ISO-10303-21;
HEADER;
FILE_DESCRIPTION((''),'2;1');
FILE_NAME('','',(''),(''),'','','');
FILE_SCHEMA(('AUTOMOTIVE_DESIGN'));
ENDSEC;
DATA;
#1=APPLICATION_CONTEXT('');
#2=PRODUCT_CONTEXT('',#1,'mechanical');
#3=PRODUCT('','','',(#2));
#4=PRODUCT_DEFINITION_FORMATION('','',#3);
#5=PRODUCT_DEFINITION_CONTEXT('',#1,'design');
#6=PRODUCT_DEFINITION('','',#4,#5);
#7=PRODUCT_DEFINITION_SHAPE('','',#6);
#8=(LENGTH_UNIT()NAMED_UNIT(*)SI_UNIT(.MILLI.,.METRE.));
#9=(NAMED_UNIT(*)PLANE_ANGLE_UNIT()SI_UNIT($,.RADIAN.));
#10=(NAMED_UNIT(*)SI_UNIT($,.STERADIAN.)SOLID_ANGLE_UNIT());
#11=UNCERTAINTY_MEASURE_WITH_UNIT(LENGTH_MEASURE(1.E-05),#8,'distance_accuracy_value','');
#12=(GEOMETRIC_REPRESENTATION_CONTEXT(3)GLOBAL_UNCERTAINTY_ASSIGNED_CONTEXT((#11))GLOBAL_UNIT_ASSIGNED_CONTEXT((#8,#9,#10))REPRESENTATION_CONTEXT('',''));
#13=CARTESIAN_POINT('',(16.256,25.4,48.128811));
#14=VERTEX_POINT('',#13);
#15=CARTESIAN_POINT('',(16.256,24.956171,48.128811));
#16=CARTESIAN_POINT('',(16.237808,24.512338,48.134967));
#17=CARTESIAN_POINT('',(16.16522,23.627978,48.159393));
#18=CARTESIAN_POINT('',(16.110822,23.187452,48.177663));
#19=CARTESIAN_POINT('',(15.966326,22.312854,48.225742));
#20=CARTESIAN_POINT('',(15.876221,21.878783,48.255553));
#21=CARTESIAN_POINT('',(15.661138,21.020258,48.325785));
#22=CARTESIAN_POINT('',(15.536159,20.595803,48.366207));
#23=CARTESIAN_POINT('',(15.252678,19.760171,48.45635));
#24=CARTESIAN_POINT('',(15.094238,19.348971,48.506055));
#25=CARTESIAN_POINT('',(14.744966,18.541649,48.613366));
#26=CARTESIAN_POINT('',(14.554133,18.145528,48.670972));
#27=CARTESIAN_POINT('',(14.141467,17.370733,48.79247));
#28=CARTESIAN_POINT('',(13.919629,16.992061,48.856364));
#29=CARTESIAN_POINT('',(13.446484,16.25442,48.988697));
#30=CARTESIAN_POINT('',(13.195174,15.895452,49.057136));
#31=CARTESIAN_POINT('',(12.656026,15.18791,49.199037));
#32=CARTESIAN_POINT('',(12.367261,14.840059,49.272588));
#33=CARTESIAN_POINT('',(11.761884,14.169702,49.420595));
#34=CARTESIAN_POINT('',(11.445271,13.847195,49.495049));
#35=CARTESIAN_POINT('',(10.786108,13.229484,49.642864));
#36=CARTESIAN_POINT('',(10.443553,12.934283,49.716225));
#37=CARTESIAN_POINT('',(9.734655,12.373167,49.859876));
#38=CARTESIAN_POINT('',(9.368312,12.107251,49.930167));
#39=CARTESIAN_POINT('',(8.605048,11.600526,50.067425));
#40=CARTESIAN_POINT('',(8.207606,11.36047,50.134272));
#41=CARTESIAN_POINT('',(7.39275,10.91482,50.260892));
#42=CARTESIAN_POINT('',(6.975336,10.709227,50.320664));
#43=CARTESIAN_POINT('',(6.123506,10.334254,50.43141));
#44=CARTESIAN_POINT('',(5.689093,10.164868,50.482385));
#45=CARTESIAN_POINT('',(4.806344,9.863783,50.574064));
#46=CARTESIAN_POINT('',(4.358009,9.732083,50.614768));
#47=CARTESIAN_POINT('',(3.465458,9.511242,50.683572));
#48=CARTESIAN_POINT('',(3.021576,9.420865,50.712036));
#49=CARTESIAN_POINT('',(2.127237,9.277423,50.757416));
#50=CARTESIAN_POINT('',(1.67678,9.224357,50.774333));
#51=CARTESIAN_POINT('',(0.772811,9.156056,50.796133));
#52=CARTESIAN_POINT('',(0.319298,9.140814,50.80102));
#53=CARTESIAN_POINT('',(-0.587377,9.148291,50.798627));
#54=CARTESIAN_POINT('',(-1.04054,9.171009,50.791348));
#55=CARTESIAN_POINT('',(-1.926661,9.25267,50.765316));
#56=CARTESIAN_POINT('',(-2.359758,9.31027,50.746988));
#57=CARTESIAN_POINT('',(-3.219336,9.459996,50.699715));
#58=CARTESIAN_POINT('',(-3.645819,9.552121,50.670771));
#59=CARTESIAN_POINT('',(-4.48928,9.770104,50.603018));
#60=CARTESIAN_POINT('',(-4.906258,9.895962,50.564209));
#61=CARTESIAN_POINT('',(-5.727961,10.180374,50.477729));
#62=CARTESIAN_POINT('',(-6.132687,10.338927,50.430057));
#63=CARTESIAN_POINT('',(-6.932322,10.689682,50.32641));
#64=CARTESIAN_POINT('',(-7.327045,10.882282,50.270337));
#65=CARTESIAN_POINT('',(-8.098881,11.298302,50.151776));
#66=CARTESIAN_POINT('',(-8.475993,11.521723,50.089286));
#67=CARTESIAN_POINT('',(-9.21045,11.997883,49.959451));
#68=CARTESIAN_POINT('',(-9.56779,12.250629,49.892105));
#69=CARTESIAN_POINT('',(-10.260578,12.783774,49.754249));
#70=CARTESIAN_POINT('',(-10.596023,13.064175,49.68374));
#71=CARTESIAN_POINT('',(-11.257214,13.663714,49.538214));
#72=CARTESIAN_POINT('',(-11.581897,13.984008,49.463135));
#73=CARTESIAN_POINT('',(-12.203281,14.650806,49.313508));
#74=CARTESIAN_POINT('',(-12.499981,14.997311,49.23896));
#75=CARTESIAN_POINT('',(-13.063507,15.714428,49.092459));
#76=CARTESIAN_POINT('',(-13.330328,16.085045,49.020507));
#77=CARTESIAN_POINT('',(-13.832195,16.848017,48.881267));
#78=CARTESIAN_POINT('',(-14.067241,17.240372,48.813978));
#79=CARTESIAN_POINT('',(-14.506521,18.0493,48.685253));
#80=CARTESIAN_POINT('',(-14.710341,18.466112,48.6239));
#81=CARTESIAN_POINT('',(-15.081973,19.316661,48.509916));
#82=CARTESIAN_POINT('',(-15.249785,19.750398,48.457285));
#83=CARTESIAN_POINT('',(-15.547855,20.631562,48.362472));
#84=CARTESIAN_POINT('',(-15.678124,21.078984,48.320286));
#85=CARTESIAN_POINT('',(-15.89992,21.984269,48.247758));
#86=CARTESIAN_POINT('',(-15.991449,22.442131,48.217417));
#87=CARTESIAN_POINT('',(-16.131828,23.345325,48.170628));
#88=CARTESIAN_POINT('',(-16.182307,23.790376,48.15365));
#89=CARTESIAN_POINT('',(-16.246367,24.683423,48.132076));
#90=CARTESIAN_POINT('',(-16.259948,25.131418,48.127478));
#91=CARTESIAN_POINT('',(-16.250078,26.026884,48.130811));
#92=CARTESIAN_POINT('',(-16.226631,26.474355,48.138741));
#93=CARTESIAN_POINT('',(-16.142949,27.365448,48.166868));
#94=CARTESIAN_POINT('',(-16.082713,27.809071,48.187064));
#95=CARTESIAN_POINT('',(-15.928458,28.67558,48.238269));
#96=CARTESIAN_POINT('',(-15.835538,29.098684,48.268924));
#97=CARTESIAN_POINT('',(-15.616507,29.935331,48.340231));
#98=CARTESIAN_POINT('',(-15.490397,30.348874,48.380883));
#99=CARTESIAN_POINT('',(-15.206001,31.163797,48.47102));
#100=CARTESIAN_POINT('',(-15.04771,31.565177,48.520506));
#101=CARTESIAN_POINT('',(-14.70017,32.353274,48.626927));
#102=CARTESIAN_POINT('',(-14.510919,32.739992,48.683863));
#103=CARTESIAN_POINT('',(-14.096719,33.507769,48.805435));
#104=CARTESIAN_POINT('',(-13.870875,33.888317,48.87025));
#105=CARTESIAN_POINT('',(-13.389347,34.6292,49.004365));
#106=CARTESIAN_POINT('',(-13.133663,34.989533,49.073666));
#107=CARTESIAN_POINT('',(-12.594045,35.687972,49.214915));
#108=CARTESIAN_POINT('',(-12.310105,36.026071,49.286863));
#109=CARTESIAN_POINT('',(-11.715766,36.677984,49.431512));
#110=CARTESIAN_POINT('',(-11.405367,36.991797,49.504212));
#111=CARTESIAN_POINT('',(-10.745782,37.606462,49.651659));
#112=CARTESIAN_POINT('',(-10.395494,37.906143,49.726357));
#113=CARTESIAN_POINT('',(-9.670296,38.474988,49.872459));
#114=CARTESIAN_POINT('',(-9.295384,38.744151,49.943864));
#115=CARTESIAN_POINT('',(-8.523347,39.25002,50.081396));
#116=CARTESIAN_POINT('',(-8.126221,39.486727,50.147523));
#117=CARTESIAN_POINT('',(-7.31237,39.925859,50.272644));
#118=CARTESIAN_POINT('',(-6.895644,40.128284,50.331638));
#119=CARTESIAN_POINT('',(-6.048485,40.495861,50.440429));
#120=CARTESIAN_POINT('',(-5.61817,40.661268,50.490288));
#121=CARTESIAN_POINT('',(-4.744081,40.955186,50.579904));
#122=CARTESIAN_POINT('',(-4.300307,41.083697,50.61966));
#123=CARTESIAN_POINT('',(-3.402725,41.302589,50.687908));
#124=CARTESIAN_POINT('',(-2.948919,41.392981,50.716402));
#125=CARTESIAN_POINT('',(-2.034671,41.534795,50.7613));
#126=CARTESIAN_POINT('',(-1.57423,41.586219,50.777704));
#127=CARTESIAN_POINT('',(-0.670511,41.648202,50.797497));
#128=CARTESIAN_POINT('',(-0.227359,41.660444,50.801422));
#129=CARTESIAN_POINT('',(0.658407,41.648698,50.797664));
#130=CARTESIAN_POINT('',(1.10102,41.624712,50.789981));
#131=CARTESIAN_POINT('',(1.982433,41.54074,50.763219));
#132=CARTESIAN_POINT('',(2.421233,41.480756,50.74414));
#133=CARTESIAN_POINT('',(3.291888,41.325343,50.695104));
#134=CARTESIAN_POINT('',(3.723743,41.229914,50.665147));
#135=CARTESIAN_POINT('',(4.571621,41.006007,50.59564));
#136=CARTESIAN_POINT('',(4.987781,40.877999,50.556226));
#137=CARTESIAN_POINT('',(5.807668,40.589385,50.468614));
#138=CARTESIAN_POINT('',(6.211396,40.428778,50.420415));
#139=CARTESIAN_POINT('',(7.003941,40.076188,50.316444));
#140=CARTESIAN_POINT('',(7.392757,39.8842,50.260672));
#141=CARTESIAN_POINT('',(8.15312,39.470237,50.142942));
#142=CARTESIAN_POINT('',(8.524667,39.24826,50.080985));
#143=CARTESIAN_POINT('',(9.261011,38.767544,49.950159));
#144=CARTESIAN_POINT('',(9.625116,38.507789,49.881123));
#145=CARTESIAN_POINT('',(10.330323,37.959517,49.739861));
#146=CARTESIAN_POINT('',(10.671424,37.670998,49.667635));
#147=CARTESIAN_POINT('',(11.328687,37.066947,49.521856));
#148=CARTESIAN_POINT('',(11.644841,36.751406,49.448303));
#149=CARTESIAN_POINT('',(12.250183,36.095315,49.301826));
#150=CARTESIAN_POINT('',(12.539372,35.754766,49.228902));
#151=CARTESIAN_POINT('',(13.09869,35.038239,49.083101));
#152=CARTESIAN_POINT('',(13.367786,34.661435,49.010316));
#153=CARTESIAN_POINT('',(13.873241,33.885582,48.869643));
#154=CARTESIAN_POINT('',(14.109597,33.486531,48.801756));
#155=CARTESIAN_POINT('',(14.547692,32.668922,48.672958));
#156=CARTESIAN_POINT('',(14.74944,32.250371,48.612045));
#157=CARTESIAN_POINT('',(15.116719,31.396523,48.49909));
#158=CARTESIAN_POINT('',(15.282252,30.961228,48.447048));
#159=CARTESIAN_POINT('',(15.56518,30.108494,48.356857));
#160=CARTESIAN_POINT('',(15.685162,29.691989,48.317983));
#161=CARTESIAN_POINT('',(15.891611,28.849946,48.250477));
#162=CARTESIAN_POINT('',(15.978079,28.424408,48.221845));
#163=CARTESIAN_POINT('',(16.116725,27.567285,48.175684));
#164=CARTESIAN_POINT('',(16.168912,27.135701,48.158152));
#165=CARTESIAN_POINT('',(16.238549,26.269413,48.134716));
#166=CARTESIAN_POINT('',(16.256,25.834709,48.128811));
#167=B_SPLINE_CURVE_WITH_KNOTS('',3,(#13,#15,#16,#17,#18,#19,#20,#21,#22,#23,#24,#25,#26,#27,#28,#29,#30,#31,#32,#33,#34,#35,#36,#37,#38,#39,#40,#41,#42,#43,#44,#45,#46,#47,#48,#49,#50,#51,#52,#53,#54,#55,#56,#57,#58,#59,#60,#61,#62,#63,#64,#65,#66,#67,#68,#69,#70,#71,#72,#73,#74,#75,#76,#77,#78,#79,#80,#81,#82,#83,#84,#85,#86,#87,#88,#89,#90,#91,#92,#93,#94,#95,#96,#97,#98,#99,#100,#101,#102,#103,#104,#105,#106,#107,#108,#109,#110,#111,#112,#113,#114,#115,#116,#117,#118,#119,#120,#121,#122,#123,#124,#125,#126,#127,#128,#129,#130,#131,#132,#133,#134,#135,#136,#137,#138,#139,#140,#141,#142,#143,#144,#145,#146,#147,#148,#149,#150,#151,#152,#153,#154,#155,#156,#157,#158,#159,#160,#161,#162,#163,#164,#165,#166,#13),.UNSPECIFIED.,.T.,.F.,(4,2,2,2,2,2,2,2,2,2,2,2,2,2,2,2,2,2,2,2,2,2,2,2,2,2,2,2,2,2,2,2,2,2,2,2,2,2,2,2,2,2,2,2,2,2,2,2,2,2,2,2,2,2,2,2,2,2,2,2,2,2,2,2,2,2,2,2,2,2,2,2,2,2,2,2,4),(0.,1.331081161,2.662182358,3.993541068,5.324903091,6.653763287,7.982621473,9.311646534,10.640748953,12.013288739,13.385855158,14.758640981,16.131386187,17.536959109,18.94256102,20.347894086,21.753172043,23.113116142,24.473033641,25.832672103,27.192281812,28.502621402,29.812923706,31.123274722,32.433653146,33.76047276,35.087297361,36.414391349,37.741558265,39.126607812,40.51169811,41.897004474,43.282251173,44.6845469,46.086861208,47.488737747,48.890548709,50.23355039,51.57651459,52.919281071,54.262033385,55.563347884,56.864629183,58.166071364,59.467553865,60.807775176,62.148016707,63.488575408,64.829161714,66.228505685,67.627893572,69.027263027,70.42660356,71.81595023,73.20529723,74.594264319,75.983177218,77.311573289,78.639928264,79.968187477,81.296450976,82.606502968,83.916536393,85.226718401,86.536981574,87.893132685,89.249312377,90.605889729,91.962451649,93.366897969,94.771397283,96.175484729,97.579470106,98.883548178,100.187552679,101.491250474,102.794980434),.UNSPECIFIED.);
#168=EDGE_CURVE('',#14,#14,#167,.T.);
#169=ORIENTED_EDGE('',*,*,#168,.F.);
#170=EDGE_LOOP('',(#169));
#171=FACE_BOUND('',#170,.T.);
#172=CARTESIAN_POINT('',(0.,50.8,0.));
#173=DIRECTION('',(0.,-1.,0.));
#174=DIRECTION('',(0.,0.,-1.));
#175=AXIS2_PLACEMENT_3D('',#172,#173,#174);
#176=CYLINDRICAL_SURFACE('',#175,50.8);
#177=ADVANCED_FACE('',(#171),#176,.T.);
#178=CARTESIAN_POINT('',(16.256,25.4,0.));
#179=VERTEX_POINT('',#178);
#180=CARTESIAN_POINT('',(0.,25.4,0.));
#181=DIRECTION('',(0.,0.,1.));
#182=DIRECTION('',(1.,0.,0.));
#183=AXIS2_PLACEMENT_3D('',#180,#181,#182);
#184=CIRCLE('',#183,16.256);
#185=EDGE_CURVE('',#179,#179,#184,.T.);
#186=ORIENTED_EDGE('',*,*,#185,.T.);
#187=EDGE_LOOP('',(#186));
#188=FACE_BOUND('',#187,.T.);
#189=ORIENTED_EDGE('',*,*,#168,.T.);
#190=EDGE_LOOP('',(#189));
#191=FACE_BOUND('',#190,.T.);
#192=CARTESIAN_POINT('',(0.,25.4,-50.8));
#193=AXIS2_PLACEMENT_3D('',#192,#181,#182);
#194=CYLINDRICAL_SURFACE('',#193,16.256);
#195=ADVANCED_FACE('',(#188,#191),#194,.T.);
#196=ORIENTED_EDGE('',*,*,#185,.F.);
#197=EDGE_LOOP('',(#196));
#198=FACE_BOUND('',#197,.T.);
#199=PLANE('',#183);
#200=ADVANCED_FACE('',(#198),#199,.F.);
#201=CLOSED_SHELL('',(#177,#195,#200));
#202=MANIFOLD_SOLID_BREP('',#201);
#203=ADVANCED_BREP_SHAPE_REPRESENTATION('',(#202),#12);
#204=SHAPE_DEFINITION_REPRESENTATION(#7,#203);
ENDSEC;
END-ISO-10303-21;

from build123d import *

# Parameters (mm, degrees)
SKETCH1_R               = 50.8
BOSS_EXTRUDE1_DEPTH     = 50.8
SKETCH2_W               = 101.6
SKETCH2_H               = 50.8
SKETCH2_R               = 16.256
CUT_EXTRUDE1_DEPTH      = 51.8
CUT_EXTRUDE1_DEPTH_BACK = 51.8
SKETCH3_R               = 16.256
CUT_EXTRUDE2_DEPTH      = 50.8


with BuildPart() as part:
    # Sketch1 → Boss-Extrude1 (new body)
    with BuildSketch(Plane(origin=(0, 0, 0), x_dir=(1, 0, 0), z_dir=(0, 1, 0))):
        Circle(SKETCH1_R)
    extrude(amount=BOSS_EXTRUDE1_DEPTH)

    # Sketch2 → Cut-Extrude1 (cut, two sides)
    with BuildSketch(Plane.XY) as cut_extrude1_sk:
        with Locations((0, 25.4)):
            Rectangle(SKETCH2_W, SKETCH2_H)
        with Locations((0, 25.4)):
            Circle(SKETCH2_R, mode=Mode.SUBTRACT)
    extrude(amount=CUT_EXTRUDE1_DEPTH, mode=Mode.SUBTRACT)
    extrude(cut_extrude1_sk.sketch, amount=-CUT_EXTRUDE1_DEPTH_BACK, mode=Mode.SUBTRACT)

    # Sketch3 → Cut-Extrude2 (cut)
    with BuildSketch(Plane.XY):
        with Locations((0, 25.4)):
            Circle(SKETCH3_R)
    extrude(amount=-CUT_EXTRUDE2_DEPTH, mode=Mode.SUBTRACT)


solid = part.part
